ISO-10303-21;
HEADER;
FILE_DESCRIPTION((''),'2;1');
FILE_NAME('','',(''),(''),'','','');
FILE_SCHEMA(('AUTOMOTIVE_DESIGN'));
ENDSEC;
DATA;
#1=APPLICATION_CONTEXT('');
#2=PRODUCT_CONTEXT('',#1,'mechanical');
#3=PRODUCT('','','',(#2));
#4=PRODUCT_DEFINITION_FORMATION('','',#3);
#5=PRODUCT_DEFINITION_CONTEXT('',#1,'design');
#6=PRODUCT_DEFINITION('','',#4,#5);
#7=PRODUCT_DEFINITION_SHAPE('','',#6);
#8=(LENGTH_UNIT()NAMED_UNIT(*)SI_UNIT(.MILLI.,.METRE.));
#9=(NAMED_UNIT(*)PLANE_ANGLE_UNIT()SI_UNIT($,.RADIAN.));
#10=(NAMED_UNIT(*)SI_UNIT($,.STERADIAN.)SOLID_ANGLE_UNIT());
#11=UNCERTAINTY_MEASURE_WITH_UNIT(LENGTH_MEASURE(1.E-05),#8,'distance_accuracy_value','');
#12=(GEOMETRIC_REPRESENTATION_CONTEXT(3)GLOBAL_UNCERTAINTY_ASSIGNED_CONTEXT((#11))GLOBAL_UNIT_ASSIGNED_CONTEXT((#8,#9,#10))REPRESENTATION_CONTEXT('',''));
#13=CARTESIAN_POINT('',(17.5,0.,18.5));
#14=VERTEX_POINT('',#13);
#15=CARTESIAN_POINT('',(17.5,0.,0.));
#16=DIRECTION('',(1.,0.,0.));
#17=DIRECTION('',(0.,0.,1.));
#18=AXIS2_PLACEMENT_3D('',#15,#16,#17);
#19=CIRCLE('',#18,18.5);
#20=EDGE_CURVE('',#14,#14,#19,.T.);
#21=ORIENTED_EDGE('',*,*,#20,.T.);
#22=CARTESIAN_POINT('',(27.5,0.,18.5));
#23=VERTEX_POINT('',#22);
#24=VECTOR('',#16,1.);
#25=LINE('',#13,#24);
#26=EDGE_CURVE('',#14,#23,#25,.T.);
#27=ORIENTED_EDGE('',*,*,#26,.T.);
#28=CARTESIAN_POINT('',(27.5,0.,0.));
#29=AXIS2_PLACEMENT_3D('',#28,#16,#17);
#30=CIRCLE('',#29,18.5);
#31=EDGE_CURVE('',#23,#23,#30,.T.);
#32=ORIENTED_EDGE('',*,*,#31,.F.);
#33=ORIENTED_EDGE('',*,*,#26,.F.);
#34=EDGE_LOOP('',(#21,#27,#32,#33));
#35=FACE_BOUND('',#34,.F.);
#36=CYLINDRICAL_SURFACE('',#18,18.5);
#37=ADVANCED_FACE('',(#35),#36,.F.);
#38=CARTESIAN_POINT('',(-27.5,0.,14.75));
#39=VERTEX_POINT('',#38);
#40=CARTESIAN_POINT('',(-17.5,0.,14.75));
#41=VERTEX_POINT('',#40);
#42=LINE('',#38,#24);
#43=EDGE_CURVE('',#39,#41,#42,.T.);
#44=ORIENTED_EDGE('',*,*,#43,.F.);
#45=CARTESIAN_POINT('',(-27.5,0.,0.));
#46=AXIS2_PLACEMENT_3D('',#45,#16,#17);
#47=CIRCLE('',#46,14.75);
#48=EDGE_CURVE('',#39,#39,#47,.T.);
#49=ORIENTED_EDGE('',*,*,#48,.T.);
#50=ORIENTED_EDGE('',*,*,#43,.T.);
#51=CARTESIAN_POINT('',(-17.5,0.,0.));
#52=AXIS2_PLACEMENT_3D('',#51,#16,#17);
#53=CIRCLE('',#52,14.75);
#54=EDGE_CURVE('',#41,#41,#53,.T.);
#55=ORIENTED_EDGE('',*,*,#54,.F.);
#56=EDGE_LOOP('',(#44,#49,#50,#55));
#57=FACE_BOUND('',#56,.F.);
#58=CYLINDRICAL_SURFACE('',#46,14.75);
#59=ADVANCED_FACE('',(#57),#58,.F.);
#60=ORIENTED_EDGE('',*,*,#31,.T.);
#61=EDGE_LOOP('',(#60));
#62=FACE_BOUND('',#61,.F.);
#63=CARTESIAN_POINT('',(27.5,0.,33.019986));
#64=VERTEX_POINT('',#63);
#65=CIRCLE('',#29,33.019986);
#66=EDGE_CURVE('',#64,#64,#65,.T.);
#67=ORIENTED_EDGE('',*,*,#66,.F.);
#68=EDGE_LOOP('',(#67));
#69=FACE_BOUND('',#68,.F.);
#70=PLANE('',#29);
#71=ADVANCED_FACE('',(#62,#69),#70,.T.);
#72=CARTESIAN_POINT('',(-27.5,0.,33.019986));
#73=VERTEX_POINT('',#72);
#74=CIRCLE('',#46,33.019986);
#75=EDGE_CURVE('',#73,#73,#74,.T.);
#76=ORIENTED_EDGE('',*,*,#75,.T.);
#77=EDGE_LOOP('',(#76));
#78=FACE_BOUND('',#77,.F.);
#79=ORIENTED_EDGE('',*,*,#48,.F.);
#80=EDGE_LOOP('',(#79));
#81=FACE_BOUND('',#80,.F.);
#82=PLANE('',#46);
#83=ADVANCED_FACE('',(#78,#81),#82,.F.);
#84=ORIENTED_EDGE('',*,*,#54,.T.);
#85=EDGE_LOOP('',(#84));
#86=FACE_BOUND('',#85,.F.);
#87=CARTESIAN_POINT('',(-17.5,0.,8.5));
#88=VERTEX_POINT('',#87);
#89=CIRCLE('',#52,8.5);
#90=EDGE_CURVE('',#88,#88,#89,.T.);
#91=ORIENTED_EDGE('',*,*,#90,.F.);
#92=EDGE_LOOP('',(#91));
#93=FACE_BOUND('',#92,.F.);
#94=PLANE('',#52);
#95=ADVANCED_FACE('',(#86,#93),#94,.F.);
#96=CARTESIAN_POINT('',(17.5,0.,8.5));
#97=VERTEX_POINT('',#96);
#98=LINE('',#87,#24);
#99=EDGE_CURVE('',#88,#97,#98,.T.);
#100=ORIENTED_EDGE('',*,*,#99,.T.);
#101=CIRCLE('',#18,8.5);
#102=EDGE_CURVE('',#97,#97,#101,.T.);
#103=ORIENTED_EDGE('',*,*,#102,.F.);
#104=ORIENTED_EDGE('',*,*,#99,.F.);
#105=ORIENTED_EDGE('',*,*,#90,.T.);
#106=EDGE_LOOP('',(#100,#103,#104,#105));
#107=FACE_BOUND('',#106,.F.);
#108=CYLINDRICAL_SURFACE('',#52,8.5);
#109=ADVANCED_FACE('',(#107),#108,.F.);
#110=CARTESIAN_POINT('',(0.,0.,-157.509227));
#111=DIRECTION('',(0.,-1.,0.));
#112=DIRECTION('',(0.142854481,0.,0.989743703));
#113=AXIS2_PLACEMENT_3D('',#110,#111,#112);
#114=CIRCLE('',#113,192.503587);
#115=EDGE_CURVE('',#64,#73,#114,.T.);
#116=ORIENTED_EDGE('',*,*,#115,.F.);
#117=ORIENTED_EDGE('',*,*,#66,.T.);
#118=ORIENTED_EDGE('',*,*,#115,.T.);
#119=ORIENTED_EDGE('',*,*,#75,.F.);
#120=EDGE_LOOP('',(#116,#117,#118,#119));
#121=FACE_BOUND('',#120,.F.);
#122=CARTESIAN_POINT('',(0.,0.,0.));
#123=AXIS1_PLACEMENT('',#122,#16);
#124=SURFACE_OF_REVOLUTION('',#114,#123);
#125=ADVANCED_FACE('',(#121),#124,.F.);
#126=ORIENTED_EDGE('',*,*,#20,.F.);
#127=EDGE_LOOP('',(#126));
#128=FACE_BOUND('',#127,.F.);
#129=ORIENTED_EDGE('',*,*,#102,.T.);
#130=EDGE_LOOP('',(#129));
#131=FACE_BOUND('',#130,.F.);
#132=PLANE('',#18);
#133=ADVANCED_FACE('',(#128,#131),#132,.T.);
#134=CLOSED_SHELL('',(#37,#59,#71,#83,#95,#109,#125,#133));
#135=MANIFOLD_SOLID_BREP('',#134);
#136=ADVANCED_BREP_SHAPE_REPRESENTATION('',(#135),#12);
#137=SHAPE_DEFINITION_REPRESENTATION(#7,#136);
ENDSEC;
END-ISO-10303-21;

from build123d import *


with BuildPart() as f1:
    # F0 (on Front) → F1 (revolve)
    with BuildSketch(Plane.XZ):
        with BuildLine():
            Line((-27.5, 33.019986), (-27.5, 14.75))
            Line((-27.5, 14.75), (-17.5, 14.75))
            Line((-17.5, 14.75), (-17.5, 8.5))
            Line((-17.5, 8.5), (17.5, 8.5))
            Line((17.5, 8.5), (17.5, 18.5))
            Line((17.5, 18.5), (27.5, 18.5))
            Line((27.5, 18.5), (27.5, 33.019986))
            ThreePointArc((27.5, 33.019986), (0, 34.99436), (-27.5, 33.019986))
        make_face()
    revolve(axis=Axis((0, 0, 0), (1, 0, 0)))


solid = f1.part
